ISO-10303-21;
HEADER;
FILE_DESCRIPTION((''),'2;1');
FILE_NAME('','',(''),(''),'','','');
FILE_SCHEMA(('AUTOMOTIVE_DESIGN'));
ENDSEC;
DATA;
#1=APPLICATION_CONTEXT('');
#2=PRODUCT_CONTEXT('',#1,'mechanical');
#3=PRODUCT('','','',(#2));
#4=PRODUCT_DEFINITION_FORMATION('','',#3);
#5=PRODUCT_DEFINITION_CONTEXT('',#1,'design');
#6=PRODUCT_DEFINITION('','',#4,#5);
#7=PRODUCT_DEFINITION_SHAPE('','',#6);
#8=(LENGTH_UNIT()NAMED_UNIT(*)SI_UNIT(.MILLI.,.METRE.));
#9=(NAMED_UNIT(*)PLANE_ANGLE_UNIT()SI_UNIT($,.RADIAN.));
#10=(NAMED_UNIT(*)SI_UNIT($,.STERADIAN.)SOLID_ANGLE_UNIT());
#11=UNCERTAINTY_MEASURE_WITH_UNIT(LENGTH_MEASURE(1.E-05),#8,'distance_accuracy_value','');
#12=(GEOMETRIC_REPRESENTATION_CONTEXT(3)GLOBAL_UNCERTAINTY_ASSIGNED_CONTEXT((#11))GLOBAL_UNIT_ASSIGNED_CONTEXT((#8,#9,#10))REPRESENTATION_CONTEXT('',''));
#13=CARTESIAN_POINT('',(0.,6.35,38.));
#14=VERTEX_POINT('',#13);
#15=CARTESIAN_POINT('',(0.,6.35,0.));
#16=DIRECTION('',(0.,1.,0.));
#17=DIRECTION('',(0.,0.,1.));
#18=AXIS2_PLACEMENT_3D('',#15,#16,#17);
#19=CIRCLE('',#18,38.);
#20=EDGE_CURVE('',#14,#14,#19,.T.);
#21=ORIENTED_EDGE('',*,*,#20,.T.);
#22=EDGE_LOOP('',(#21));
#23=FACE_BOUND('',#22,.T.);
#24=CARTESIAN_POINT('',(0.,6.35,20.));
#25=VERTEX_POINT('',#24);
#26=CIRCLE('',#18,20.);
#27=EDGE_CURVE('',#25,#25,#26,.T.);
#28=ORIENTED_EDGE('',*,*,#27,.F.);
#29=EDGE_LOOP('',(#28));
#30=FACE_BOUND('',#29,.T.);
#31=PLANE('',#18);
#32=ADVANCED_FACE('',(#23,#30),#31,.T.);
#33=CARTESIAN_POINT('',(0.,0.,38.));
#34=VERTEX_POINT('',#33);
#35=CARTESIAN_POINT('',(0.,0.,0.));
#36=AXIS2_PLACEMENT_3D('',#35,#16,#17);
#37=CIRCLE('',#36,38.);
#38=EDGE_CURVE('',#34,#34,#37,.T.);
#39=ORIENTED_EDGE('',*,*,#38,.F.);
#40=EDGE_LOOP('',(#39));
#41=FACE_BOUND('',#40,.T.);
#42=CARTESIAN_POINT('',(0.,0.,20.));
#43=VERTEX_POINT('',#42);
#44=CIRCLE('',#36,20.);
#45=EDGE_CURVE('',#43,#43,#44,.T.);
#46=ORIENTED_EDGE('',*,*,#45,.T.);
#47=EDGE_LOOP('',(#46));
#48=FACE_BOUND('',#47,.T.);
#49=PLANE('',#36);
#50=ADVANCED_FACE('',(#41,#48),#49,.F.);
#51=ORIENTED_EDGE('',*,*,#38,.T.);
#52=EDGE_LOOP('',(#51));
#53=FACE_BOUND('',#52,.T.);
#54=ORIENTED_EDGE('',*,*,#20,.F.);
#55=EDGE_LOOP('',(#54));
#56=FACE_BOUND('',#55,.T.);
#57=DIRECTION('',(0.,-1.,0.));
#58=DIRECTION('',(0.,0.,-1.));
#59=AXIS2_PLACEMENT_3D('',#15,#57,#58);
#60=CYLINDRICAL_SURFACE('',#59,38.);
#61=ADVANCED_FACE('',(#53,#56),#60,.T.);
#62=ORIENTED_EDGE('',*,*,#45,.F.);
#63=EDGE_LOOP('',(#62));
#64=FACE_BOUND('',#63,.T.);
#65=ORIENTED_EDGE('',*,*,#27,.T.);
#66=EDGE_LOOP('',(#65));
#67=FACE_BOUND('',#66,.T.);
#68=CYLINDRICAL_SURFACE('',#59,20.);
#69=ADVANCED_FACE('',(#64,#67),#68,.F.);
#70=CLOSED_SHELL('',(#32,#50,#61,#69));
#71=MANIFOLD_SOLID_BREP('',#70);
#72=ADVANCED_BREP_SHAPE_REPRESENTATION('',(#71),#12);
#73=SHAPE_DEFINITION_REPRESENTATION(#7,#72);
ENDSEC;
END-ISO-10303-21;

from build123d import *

# Parameters (mm, degrees)
SKETCH1_R           = 38
SKETCH1_R_2         = 20
BOSS_EXTRUDE1_DEPTH = 6.35


with BuildPart() as part:
    # Sketch1 → Boss-Extrude1 (new body)
    with BuildSketch(Plane(origin=(0, 0, 0), x_dir=(1, 0, 0), z_dir=(0, 1, 0))):
        Circle(SKETCH1_R)
        Circle(SKETCH1_R_2, mode=Mode.SUBTRACT)
    extrude(amount=BOSS_EXTRUDE1_DEPTH)


solid = part.part
